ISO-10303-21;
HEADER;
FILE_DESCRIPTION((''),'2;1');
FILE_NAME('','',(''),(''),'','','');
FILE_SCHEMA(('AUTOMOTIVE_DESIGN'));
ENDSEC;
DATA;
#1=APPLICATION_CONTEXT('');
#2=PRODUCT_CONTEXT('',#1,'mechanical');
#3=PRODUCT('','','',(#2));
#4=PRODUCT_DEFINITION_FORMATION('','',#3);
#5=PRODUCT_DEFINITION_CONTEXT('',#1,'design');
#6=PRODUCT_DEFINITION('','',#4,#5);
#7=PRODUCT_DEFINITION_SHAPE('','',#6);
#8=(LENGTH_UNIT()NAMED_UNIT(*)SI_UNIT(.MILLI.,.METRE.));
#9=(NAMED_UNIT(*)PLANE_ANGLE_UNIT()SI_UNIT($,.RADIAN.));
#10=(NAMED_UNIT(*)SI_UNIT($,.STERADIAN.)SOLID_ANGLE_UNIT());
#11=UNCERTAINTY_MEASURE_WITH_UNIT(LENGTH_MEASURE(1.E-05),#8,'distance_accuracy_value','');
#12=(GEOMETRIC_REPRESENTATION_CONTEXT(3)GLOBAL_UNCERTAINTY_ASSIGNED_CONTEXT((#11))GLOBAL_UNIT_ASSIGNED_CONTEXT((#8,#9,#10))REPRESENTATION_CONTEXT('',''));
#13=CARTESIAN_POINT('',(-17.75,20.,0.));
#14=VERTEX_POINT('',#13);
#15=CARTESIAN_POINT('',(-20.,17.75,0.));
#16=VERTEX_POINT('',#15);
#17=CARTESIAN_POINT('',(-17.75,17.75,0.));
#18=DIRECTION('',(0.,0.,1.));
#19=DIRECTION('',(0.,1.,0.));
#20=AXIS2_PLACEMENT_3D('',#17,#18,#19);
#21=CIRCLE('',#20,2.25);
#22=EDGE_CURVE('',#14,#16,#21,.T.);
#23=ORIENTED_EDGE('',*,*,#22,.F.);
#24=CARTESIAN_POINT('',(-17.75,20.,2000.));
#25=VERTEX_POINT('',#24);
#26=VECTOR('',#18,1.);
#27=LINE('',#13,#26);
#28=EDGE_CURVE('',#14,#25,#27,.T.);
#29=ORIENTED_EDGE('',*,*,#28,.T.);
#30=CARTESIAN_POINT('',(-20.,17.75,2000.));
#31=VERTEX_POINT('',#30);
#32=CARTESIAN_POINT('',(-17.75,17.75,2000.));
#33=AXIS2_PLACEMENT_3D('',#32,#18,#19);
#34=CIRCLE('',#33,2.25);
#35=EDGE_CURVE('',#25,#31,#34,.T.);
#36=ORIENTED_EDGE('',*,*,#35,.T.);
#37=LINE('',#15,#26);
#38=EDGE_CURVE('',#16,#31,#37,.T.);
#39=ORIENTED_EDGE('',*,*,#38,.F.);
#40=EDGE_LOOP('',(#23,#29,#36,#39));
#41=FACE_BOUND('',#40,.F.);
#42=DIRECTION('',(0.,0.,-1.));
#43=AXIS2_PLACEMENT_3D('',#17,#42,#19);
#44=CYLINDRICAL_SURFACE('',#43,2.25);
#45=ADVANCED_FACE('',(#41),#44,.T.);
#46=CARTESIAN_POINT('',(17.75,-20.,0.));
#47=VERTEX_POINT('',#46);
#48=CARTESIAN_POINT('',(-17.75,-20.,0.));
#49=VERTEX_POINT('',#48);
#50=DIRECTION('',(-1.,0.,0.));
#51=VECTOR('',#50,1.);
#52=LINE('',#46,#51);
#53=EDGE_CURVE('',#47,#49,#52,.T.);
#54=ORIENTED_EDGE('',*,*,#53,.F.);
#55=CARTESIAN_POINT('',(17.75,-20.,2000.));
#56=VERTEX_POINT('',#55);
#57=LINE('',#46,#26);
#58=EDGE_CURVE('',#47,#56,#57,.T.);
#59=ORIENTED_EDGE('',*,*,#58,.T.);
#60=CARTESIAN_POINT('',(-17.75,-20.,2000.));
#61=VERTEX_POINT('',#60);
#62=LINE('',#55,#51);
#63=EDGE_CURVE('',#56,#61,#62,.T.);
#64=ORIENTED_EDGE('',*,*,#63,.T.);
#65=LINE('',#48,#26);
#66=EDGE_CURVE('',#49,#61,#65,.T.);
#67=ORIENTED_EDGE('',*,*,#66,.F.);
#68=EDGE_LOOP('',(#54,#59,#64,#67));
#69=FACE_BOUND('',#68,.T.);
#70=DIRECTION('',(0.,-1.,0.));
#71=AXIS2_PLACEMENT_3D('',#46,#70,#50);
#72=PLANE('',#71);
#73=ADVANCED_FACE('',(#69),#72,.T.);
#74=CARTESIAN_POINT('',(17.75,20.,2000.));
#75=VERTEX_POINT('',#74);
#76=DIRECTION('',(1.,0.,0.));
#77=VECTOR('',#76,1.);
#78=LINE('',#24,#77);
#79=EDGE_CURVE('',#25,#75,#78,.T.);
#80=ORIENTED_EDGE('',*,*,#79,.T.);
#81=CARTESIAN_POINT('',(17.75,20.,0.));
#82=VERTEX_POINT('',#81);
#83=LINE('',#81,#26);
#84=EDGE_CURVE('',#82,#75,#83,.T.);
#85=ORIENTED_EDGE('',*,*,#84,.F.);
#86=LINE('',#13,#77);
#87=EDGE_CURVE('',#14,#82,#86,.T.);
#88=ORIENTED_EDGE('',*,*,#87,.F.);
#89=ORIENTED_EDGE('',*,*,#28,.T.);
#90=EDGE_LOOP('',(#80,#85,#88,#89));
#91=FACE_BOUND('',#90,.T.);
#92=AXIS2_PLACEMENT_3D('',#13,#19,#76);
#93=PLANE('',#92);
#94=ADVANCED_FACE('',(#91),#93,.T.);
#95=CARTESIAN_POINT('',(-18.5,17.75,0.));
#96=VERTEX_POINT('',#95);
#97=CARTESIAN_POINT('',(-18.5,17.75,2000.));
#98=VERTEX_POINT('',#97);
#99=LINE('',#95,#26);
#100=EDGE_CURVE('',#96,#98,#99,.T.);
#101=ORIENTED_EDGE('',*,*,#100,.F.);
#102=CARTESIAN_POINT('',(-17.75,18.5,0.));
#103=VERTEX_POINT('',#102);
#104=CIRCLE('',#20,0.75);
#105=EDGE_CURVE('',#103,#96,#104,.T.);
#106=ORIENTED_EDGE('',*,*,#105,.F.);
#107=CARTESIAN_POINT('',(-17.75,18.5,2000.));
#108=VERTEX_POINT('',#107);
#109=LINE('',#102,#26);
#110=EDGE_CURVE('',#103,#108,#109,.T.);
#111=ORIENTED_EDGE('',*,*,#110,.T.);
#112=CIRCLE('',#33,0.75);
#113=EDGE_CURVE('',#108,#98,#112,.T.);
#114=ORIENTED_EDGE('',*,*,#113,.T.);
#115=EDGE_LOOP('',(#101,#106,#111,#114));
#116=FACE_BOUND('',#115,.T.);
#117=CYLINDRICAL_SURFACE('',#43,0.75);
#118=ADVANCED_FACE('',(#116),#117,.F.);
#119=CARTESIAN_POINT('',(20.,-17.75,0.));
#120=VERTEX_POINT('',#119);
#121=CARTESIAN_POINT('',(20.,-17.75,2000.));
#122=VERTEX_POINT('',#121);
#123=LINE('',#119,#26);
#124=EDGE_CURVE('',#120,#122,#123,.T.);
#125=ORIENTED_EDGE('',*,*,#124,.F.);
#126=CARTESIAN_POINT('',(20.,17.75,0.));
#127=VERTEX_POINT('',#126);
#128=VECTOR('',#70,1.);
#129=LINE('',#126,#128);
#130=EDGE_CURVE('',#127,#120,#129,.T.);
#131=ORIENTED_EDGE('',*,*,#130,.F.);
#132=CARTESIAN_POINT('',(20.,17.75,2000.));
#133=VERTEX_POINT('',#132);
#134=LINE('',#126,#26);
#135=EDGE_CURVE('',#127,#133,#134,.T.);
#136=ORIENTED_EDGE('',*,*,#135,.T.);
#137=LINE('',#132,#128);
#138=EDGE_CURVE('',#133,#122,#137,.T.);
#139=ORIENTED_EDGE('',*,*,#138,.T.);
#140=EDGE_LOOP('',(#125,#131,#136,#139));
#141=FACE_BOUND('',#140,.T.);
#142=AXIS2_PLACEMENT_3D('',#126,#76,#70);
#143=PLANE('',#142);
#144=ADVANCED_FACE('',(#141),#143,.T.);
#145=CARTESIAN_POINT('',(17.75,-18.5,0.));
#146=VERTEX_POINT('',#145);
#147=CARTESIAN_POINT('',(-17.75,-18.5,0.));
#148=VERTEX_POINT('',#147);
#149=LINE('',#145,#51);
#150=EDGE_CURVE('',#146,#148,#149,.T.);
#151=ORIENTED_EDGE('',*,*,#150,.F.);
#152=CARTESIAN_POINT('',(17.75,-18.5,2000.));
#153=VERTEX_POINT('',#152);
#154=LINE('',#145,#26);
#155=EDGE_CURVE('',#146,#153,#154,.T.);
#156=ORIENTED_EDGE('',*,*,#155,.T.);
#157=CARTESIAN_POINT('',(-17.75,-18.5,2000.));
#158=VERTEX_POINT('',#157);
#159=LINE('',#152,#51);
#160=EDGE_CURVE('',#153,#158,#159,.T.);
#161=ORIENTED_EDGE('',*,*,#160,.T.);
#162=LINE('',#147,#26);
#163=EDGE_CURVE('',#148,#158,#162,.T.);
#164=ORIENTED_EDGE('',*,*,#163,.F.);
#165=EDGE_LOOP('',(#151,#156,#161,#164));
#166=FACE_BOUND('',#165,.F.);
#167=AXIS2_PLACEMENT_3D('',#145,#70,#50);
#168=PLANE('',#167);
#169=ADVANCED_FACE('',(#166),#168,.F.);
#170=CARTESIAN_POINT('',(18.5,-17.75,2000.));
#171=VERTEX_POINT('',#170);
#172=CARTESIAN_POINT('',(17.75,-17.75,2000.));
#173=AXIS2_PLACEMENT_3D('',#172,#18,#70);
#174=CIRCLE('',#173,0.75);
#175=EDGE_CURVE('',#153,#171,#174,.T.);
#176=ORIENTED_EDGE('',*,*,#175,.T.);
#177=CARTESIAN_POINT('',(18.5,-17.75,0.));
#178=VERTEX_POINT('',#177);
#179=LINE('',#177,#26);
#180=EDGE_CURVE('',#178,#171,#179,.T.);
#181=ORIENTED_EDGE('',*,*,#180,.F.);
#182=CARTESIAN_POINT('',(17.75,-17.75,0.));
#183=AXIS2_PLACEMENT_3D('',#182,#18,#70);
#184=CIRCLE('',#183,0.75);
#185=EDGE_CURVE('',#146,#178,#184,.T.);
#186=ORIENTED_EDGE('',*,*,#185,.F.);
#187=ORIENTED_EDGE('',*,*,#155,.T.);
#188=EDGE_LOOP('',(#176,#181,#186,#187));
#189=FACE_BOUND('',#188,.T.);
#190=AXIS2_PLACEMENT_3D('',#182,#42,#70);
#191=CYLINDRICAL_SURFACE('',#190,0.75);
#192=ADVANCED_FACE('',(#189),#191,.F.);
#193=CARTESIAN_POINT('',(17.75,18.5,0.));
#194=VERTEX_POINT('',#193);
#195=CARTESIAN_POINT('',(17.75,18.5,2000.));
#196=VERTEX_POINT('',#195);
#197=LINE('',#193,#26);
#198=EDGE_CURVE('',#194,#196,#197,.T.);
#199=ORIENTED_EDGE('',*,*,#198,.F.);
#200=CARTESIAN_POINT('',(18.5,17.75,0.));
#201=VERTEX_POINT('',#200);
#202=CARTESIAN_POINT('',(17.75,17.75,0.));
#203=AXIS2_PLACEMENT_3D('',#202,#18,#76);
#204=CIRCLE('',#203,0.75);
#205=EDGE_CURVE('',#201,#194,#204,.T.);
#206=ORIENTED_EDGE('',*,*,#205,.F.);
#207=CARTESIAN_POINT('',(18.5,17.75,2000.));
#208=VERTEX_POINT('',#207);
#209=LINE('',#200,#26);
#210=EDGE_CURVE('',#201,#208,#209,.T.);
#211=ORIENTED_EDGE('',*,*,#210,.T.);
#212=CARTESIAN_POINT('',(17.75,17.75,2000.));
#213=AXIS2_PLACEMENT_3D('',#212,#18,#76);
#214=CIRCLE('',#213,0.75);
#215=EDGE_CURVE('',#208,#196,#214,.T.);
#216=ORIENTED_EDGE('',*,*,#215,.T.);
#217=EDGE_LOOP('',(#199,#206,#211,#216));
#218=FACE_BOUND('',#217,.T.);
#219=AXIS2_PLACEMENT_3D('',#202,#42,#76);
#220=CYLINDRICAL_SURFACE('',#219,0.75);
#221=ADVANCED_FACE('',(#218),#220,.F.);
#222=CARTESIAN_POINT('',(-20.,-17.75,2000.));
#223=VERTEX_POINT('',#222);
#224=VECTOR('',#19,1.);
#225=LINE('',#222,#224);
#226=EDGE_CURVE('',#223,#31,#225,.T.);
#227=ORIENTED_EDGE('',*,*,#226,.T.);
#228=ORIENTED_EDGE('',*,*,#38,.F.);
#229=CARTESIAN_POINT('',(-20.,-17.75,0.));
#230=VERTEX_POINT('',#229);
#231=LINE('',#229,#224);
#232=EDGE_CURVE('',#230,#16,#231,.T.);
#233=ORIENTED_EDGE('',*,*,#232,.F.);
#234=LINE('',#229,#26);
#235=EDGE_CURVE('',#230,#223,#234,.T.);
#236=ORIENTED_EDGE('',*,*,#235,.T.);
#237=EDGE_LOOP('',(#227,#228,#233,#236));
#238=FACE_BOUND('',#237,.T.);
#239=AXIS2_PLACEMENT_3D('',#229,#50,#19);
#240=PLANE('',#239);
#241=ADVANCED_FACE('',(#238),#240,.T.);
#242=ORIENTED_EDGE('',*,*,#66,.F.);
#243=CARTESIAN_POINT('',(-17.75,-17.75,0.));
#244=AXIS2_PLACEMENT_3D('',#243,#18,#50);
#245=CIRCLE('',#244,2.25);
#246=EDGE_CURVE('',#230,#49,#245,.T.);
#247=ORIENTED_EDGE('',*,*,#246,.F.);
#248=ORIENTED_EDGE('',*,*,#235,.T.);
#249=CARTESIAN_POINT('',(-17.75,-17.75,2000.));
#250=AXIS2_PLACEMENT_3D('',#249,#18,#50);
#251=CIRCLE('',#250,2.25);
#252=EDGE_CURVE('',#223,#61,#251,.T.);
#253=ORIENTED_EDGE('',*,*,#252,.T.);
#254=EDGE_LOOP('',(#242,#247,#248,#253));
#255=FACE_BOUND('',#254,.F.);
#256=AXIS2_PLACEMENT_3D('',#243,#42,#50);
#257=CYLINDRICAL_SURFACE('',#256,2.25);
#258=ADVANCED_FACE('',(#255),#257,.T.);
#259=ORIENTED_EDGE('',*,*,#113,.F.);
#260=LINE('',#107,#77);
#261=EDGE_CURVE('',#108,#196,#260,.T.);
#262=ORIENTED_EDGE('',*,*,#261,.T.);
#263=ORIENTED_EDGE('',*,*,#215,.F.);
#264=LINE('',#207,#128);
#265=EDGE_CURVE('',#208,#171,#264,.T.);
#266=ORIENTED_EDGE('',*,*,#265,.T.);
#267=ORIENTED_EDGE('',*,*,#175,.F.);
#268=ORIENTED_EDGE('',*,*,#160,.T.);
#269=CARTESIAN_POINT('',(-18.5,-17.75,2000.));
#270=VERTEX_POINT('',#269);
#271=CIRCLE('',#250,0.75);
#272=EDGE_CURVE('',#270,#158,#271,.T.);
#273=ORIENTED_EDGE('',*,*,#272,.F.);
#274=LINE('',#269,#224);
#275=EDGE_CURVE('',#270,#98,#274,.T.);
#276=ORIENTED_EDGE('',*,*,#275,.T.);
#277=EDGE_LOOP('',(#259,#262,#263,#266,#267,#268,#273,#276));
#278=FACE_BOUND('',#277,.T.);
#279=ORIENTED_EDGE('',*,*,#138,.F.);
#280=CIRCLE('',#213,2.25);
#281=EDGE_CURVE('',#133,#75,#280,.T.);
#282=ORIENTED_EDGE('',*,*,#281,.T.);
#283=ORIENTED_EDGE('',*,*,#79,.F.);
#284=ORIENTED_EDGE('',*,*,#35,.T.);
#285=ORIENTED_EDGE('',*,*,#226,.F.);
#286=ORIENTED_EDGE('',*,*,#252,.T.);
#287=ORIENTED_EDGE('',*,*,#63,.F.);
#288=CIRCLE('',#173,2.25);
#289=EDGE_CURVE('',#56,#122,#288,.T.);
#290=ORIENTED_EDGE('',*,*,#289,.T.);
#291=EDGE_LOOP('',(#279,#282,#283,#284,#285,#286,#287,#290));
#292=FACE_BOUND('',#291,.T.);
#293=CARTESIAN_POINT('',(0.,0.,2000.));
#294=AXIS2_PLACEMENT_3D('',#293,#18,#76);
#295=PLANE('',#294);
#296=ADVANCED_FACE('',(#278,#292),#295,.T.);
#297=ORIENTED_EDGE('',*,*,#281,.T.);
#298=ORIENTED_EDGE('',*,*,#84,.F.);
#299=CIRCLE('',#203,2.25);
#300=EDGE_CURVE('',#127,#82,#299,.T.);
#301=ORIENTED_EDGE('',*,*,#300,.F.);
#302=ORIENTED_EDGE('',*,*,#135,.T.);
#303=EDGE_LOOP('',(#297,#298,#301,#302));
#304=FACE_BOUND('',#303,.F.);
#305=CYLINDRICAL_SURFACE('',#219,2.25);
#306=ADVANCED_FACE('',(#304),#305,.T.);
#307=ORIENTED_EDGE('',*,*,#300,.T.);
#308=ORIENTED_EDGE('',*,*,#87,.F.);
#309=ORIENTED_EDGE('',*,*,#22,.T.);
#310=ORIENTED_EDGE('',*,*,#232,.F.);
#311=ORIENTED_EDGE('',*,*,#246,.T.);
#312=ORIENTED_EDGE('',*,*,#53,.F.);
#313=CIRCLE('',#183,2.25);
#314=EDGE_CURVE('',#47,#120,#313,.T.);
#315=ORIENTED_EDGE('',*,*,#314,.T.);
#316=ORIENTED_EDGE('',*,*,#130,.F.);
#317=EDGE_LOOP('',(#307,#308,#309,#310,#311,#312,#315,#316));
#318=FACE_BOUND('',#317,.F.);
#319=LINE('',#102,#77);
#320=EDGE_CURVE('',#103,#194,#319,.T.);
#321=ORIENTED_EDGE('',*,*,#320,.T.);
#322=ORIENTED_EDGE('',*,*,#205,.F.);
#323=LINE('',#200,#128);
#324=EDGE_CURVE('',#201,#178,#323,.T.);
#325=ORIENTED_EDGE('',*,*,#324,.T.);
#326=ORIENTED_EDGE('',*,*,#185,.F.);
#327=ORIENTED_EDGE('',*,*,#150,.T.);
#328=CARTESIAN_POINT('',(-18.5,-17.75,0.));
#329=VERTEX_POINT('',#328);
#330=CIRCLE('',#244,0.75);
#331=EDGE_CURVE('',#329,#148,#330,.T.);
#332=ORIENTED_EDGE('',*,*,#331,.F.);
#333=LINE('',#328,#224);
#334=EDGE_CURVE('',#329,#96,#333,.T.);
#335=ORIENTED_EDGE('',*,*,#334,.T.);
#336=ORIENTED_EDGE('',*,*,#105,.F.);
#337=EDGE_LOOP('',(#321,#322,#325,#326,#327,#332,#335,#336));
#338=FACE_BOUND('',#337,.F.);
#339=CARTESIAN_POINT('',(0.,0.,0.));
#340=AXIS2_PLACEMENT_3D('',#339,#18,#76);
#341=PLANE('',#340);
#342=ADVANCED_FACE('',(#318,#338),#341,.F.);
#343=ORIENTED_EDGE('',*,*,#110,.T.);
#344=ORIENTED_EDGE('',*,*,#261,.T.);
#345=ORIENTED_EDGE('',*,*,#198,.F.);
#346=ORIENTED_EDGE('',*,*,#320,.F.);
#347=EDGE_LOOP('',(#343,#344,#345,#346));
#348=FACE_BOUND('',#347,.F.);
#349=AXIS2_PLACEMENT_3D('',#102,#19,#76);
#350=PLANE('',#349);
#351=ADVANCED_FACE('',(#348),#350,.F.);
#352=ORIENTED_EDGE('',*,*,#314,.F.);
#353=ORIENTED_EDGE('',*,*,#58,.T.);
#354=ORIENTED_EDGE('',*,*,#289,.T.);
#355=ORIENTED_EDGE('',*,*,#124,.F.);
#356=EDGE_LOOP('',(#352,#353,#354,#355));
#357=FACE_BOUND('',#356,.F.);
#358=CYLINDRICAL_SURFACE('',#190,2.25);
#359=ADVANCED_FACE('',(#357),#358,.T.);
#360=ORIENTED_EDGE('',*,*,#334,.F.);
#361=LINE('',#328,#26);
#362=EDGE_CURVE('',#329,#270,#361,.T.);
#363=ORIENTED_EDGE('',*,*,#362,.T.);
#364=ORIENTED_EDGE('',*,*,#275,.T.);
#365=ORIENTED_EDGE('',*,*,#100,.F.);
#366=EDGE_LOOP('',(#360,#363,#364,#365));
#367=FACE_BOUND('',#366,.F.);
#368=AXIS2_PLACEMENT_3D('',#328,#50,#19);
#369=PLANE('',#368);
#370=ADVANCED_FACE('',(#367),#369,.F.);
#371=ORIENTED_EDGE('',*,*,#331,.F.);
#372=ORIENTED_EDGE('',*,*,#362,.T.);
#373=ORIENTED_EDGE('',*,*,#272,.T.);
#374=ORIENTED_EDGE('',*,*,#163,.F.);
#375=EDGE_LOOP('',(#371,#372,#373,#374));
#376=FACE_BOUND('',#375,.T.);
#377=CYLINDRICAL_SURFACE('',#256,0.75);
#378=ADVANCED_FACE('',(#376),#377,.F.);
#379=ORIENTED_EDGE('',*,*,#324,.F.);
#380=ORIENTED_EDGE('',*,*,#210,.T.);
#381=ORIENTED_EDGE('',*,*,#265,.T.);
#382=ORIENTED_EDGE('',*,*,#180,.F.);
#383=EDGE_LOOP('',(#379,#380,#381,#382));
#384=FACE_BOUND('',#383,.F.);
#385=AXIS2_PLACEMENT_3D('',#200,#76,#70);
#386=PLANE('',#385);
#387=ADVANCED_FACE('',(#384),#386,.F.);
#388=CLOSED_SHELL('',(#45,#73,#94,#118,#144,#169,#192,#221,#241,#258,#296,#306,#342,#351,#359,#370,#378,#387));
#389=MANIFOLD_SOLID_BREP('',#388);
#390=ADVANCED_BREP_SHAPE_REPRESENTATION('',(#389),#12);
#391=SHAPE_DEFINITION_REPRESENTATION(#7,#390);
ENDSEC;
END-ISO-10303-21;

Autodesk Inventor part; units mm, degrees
ref_plane "YZ Plane" through (0, 0, 0) normal (1, 0, 0) x (0, 1, 0)
ref_plane "Start plane" through (0, 0, 0) normal (0, 0, 1) x (1, 0, 0)
ref_plane "End plane" through (0, 0, 2000) normal (0, 0, 1) x (1, 0, 0)
sketch "Sketch" plane through (0, 0, 0) normal (0, 0, 1) x (1, 0, 0)
  line L0 (-20, -17.75) -> (-20, 17.75)
  line L1 (-17.75, 20) -> (17.75, 20)
  line L2 (20, 17.75) -> (20, -17.75)
  line L3 (17.75, -20) -> (-17.75, -20)
  arc A0 (-20, -17.75) -> (-17.75, -20) centre (-17.75, -17.75) ccw
  arc A1 (-17.75, 20) -> (-20, 17.75) centre (-17.75, 17.75) ccw
  arc A2 (20, 17.75) -> (17.75, 20) centre (17.75, 17.75) ccw
  arc A3 (17.75, -20) -> (20, -17.75) centre (17.75, -17.75) ccw
  arc A4 (-17.75, 18.5) -> (-18.5, 17.75) centre (-17.75, 17.75) ccw
  line L4 (-17.75, 18.5) -> (17.75, 18.5)
  arc A5 (18.5, 17.75) -> (17.75, 18.5) centre (17.75, 17.75) ccw
  line L5 (18.5, 17.75) -> (18.5, -17.75)
  arc A6 (17.75, -18.5) -> (18.5, -17.75) centre (17.75, -17.75) ccw
  line L6 (17.75, -18.5) -> (-17.75, -18.5)
  arc A7 (-18.5, -17.75) -> (-17.75, -18.5) centre (-17.75, -17.75) ccw
  line L7 (-18.5, -17.75) -> (-18.5, 17.75)
  line L8 (0, 37.1021) -> (0, -37.1021) construction
  line L9 (-23.1021, 0) -> (23.1021, 0) construction
  dimension "d7" = 2.25
  dimension "d10" = 40
  dimension "d11" = 40
  dimension "d12" = 1.5
  dimension "d15" = 20
  dimension "d16" = 20
extrude "Body" add sketch "Sketch" along normal up to surface (2000 mm away) from surface at 0
sketch "Sketch3" plane through (0, 0, 0) normal (0, 0, 1) x (1, 0, 0)
  line L0 (0, 0) -> (10, 0)
ref_plane "Work Plane3" through (0, 0, 0) normal (0, -1, 0) x (1, 0, 0)
sketch "Sketch4" plane through (0, 0, 0) normal (0, -1, 0) x (1, 0, 0)
  line L0 (-2, 0) -> (12, 0)
  line L1 (-2, 2000) -> (12, 2000)
  dimension "d18" = 2000
equation "\"d7\" = G_IR"
equation "\"d10\" = G_H"
equation "\"d11\" = G_W"
equation "\"d12\" = G_T"
equation "\"d15\" = 0.5 * d10"
equation "\"d16\" = 0.5 * d11"
equation "\"d3\" = G_L"
equation "\"G_W\" = 40"
equation "\"G_H\" = 40"
equation "\"G_T\" = 1.5"
equation "\"G_IR\" = 2.25"
equation "\"G_L\" = d18"
equation "\"G_OFFSET_START\" = 0"
equation "\"G_OFFSET_END\" = 0"
properties part number "SFS EN 10305-5 - 40 x 40 x 1,5  - 2000" material "Steel, Mild"
